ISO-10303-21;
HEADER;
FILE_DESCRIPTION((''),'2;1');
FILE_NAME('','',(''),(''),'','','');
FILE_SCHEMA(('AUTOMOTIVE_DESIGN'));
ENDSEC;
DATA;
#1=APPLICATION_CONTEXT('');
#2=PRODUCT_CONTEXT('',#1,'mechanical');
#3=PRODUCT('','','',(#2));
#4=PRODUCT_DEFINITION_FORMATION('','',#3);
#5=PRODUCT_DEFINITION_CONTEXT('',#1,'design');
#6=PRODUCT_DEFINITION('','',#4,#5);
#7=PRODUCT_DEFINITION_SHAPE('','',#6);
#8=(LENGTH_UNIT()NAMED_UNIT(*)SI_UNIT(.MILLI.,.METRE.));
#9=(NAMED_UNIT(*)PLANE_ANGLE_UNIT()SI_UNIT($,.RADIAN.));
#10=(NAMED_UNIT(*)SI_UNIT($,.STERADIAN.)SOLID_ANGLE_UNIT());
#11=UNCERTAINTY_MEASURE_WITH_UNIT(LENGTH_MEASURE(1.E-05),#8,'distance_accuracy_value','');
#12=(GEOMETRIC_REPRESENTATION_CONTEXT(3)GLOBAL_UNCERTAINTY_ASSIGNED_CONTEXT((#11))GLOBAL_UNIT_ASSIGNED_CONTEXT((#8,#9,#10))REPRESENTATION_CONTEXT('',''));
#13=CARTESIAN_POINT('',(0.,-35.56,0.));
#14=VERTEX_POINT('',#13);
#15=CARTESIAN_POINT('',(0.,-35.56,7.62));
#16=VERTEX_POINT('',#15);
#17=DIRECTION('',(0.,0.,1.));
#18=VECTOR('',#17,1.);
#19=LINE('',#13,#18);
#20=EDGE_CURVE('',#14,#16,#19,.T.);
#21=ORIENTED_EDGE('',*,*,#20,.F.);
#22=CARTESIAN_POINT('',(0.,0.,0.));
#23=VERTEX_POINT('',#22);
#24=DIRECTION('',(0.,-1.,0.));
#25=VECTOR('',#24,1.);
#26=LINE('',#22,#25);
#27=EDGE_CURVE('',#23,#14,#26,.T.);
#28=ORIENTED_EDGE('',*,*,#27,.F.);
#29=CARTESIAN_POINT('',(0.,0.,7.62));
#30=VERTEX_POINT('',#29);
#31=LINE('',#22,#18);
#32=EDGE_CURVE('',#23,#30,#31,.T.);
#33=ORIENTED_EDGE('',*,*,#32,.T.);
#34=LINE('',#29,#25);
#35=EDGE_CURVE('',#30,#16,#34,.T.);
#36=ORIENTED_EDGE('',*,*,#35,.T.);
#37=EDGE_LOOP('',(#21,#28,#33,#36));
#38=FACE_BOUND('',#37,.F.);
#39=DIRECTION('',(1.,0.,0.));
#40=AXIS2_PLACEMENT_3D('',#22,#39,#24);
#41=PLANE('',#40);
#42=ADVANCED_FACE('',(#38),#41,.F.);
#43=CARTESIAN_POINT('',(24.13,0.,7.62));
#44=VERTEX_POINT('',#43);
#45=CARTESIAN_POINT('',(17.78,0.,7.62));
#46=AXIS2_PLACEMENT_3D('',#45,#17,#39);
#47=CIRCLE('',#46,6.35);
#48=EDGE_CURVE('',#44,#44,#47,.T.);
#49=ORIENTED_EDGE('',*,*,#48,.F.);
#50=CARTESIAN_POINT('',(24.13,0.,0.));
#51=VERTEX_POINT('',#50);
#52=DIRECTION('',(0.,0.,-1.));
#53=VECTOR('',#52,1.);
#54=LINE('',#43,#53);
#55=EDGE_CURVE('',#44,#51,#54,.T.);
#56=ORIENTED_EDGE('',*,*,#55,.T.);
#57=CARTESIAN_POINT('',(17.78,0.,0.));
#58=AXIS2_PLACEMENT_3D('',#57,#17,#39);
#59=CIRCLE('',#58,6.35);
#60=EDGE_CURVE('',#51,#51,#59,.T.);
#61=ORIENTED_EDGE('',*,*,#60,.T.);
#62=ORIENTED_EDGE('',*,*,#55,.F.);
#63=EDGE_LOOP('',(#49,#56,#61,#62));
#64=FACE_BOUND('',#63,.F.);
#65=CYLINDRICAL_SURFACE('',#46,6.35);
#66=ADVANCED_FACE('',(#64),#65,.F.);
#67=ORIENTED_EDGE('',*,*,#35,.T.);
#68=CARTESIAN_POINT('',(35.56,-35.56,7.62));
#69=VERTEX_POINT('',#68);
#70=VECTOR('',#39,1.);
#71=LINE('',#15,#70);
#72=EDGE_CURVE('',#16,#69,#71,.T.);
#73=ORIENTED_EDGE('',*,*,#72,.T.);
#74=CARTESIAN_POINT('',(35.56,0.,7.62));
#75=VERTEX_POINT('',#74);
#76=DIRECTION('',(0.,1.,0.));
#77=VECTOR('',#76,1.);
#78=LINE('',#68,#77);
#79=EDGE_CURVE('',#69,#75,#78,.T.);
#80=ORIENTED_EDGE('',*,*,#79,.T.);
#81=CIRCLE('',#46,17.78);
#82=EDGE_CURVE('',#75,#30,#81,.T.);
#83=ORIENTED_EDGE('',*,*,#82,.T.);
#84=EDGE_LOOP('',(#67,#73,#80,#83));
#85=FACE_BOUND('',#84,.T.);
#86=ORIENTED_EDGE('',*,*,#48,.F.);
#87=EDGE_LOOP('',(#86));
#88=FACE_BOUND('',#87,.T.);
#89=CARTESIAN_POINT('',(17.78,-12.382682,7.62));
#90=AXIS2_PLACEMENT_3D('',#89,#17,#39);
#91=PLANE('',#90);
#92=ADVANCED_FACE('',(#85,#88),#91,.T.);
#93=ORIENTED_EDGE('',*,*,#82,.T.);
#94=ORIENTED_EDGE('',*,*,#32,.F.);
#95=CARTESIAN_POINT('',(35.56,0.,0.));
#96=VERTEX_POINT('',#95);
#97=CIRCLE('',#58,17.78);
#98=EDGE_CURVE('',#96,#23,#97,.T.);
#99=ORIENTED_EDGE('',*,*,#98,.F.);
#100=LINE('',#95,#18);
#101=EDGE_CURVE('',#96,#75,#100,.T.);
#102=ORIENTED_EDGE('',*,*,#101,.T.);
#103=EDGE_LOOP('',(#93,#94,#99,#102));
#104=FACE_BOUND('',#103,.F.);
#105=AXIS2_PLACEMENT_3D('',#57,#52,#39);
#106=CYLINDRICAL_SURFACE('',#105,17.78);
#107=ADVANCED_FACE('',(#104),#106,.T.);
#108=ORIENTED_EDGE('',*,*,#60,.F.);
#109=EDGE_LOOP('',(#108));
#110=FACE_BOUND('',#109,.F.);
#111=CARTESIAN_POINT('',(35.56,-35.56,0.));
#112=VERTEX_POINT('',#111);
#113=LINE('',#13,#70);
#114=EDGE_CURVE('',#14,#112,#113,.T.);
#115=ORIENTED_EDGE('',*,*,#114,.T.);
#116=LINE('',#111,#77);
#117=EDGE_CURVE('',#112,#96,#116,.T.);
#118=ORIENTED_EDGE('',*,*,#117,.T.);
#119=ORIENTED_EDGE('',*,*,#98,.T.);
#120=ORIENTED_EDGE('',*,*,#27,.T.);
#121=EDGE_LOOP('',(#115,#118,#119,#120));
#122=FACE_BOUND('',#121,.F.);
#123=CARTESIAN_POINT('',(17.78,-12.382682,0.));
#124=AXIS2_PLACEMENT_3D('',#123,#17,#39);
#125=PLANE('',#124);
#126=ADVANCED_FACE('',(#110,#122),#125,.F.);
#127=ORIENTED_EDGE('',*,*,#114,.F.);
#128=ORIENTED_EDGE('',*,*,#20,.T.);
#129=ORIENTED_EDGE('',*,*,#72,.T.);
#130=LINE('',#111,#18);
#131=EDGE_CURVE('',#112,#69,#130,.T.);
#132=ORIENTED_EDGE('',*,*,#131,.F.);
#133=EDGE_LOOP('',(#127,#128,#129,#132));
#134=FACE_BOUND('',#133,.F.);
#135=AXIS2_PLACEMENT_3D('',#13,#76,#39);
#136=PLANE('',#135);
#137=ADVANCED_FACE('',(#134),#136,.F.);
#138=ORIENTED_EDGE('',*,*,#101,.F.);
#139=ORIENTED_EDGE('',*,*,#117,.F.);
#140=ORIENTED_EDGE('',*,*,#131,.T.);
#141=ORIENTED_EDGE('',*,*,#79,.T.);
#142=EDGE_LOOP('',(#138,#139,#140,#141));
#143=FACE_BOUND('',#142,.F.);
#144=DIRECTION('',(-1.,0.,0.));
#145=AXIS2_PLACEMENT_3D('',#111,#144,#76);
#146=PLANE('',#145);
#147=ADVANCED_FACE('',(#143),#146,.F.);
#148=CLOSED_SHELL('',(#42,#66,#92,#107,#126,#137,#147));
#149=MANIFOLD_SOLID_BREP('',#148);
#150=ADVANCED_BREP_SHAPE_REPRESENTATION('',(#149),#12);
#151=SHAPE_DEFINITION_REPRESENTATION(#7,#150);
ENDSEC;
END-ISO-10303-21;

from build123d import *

# Parameters (mm, degrees)
F1_DEPTH = 7.62
F2_R     = 6.35
F3_DEPTH = 25.4


with BuildPart() as f1:
    # F0 (on Top) → F1 (new body)
    with BuildSketch(Plane.XY):
        with BuildLine():
            Line((0, 0), (0, -35.56))
            Line((0, -35.56), (35.56, -35.56))
            Line((35.56, -35.56), (35.56, 0))
            ThreePointArc((35.56, 0), (17.78, 17.78), (0, 0))
        make_face()
    extrude(amount=F1_DEPTH)

    # F2 (on face) → F3 (cut)
    with BuildSketch(Plane.XY.offset(7.62)):
        with Locations((17.78, 0)):
            Circle(F2_R)
    extrude(amount=-F3_DEPTH, mode=Mode.SUBTRACT)


solid = f1.part
